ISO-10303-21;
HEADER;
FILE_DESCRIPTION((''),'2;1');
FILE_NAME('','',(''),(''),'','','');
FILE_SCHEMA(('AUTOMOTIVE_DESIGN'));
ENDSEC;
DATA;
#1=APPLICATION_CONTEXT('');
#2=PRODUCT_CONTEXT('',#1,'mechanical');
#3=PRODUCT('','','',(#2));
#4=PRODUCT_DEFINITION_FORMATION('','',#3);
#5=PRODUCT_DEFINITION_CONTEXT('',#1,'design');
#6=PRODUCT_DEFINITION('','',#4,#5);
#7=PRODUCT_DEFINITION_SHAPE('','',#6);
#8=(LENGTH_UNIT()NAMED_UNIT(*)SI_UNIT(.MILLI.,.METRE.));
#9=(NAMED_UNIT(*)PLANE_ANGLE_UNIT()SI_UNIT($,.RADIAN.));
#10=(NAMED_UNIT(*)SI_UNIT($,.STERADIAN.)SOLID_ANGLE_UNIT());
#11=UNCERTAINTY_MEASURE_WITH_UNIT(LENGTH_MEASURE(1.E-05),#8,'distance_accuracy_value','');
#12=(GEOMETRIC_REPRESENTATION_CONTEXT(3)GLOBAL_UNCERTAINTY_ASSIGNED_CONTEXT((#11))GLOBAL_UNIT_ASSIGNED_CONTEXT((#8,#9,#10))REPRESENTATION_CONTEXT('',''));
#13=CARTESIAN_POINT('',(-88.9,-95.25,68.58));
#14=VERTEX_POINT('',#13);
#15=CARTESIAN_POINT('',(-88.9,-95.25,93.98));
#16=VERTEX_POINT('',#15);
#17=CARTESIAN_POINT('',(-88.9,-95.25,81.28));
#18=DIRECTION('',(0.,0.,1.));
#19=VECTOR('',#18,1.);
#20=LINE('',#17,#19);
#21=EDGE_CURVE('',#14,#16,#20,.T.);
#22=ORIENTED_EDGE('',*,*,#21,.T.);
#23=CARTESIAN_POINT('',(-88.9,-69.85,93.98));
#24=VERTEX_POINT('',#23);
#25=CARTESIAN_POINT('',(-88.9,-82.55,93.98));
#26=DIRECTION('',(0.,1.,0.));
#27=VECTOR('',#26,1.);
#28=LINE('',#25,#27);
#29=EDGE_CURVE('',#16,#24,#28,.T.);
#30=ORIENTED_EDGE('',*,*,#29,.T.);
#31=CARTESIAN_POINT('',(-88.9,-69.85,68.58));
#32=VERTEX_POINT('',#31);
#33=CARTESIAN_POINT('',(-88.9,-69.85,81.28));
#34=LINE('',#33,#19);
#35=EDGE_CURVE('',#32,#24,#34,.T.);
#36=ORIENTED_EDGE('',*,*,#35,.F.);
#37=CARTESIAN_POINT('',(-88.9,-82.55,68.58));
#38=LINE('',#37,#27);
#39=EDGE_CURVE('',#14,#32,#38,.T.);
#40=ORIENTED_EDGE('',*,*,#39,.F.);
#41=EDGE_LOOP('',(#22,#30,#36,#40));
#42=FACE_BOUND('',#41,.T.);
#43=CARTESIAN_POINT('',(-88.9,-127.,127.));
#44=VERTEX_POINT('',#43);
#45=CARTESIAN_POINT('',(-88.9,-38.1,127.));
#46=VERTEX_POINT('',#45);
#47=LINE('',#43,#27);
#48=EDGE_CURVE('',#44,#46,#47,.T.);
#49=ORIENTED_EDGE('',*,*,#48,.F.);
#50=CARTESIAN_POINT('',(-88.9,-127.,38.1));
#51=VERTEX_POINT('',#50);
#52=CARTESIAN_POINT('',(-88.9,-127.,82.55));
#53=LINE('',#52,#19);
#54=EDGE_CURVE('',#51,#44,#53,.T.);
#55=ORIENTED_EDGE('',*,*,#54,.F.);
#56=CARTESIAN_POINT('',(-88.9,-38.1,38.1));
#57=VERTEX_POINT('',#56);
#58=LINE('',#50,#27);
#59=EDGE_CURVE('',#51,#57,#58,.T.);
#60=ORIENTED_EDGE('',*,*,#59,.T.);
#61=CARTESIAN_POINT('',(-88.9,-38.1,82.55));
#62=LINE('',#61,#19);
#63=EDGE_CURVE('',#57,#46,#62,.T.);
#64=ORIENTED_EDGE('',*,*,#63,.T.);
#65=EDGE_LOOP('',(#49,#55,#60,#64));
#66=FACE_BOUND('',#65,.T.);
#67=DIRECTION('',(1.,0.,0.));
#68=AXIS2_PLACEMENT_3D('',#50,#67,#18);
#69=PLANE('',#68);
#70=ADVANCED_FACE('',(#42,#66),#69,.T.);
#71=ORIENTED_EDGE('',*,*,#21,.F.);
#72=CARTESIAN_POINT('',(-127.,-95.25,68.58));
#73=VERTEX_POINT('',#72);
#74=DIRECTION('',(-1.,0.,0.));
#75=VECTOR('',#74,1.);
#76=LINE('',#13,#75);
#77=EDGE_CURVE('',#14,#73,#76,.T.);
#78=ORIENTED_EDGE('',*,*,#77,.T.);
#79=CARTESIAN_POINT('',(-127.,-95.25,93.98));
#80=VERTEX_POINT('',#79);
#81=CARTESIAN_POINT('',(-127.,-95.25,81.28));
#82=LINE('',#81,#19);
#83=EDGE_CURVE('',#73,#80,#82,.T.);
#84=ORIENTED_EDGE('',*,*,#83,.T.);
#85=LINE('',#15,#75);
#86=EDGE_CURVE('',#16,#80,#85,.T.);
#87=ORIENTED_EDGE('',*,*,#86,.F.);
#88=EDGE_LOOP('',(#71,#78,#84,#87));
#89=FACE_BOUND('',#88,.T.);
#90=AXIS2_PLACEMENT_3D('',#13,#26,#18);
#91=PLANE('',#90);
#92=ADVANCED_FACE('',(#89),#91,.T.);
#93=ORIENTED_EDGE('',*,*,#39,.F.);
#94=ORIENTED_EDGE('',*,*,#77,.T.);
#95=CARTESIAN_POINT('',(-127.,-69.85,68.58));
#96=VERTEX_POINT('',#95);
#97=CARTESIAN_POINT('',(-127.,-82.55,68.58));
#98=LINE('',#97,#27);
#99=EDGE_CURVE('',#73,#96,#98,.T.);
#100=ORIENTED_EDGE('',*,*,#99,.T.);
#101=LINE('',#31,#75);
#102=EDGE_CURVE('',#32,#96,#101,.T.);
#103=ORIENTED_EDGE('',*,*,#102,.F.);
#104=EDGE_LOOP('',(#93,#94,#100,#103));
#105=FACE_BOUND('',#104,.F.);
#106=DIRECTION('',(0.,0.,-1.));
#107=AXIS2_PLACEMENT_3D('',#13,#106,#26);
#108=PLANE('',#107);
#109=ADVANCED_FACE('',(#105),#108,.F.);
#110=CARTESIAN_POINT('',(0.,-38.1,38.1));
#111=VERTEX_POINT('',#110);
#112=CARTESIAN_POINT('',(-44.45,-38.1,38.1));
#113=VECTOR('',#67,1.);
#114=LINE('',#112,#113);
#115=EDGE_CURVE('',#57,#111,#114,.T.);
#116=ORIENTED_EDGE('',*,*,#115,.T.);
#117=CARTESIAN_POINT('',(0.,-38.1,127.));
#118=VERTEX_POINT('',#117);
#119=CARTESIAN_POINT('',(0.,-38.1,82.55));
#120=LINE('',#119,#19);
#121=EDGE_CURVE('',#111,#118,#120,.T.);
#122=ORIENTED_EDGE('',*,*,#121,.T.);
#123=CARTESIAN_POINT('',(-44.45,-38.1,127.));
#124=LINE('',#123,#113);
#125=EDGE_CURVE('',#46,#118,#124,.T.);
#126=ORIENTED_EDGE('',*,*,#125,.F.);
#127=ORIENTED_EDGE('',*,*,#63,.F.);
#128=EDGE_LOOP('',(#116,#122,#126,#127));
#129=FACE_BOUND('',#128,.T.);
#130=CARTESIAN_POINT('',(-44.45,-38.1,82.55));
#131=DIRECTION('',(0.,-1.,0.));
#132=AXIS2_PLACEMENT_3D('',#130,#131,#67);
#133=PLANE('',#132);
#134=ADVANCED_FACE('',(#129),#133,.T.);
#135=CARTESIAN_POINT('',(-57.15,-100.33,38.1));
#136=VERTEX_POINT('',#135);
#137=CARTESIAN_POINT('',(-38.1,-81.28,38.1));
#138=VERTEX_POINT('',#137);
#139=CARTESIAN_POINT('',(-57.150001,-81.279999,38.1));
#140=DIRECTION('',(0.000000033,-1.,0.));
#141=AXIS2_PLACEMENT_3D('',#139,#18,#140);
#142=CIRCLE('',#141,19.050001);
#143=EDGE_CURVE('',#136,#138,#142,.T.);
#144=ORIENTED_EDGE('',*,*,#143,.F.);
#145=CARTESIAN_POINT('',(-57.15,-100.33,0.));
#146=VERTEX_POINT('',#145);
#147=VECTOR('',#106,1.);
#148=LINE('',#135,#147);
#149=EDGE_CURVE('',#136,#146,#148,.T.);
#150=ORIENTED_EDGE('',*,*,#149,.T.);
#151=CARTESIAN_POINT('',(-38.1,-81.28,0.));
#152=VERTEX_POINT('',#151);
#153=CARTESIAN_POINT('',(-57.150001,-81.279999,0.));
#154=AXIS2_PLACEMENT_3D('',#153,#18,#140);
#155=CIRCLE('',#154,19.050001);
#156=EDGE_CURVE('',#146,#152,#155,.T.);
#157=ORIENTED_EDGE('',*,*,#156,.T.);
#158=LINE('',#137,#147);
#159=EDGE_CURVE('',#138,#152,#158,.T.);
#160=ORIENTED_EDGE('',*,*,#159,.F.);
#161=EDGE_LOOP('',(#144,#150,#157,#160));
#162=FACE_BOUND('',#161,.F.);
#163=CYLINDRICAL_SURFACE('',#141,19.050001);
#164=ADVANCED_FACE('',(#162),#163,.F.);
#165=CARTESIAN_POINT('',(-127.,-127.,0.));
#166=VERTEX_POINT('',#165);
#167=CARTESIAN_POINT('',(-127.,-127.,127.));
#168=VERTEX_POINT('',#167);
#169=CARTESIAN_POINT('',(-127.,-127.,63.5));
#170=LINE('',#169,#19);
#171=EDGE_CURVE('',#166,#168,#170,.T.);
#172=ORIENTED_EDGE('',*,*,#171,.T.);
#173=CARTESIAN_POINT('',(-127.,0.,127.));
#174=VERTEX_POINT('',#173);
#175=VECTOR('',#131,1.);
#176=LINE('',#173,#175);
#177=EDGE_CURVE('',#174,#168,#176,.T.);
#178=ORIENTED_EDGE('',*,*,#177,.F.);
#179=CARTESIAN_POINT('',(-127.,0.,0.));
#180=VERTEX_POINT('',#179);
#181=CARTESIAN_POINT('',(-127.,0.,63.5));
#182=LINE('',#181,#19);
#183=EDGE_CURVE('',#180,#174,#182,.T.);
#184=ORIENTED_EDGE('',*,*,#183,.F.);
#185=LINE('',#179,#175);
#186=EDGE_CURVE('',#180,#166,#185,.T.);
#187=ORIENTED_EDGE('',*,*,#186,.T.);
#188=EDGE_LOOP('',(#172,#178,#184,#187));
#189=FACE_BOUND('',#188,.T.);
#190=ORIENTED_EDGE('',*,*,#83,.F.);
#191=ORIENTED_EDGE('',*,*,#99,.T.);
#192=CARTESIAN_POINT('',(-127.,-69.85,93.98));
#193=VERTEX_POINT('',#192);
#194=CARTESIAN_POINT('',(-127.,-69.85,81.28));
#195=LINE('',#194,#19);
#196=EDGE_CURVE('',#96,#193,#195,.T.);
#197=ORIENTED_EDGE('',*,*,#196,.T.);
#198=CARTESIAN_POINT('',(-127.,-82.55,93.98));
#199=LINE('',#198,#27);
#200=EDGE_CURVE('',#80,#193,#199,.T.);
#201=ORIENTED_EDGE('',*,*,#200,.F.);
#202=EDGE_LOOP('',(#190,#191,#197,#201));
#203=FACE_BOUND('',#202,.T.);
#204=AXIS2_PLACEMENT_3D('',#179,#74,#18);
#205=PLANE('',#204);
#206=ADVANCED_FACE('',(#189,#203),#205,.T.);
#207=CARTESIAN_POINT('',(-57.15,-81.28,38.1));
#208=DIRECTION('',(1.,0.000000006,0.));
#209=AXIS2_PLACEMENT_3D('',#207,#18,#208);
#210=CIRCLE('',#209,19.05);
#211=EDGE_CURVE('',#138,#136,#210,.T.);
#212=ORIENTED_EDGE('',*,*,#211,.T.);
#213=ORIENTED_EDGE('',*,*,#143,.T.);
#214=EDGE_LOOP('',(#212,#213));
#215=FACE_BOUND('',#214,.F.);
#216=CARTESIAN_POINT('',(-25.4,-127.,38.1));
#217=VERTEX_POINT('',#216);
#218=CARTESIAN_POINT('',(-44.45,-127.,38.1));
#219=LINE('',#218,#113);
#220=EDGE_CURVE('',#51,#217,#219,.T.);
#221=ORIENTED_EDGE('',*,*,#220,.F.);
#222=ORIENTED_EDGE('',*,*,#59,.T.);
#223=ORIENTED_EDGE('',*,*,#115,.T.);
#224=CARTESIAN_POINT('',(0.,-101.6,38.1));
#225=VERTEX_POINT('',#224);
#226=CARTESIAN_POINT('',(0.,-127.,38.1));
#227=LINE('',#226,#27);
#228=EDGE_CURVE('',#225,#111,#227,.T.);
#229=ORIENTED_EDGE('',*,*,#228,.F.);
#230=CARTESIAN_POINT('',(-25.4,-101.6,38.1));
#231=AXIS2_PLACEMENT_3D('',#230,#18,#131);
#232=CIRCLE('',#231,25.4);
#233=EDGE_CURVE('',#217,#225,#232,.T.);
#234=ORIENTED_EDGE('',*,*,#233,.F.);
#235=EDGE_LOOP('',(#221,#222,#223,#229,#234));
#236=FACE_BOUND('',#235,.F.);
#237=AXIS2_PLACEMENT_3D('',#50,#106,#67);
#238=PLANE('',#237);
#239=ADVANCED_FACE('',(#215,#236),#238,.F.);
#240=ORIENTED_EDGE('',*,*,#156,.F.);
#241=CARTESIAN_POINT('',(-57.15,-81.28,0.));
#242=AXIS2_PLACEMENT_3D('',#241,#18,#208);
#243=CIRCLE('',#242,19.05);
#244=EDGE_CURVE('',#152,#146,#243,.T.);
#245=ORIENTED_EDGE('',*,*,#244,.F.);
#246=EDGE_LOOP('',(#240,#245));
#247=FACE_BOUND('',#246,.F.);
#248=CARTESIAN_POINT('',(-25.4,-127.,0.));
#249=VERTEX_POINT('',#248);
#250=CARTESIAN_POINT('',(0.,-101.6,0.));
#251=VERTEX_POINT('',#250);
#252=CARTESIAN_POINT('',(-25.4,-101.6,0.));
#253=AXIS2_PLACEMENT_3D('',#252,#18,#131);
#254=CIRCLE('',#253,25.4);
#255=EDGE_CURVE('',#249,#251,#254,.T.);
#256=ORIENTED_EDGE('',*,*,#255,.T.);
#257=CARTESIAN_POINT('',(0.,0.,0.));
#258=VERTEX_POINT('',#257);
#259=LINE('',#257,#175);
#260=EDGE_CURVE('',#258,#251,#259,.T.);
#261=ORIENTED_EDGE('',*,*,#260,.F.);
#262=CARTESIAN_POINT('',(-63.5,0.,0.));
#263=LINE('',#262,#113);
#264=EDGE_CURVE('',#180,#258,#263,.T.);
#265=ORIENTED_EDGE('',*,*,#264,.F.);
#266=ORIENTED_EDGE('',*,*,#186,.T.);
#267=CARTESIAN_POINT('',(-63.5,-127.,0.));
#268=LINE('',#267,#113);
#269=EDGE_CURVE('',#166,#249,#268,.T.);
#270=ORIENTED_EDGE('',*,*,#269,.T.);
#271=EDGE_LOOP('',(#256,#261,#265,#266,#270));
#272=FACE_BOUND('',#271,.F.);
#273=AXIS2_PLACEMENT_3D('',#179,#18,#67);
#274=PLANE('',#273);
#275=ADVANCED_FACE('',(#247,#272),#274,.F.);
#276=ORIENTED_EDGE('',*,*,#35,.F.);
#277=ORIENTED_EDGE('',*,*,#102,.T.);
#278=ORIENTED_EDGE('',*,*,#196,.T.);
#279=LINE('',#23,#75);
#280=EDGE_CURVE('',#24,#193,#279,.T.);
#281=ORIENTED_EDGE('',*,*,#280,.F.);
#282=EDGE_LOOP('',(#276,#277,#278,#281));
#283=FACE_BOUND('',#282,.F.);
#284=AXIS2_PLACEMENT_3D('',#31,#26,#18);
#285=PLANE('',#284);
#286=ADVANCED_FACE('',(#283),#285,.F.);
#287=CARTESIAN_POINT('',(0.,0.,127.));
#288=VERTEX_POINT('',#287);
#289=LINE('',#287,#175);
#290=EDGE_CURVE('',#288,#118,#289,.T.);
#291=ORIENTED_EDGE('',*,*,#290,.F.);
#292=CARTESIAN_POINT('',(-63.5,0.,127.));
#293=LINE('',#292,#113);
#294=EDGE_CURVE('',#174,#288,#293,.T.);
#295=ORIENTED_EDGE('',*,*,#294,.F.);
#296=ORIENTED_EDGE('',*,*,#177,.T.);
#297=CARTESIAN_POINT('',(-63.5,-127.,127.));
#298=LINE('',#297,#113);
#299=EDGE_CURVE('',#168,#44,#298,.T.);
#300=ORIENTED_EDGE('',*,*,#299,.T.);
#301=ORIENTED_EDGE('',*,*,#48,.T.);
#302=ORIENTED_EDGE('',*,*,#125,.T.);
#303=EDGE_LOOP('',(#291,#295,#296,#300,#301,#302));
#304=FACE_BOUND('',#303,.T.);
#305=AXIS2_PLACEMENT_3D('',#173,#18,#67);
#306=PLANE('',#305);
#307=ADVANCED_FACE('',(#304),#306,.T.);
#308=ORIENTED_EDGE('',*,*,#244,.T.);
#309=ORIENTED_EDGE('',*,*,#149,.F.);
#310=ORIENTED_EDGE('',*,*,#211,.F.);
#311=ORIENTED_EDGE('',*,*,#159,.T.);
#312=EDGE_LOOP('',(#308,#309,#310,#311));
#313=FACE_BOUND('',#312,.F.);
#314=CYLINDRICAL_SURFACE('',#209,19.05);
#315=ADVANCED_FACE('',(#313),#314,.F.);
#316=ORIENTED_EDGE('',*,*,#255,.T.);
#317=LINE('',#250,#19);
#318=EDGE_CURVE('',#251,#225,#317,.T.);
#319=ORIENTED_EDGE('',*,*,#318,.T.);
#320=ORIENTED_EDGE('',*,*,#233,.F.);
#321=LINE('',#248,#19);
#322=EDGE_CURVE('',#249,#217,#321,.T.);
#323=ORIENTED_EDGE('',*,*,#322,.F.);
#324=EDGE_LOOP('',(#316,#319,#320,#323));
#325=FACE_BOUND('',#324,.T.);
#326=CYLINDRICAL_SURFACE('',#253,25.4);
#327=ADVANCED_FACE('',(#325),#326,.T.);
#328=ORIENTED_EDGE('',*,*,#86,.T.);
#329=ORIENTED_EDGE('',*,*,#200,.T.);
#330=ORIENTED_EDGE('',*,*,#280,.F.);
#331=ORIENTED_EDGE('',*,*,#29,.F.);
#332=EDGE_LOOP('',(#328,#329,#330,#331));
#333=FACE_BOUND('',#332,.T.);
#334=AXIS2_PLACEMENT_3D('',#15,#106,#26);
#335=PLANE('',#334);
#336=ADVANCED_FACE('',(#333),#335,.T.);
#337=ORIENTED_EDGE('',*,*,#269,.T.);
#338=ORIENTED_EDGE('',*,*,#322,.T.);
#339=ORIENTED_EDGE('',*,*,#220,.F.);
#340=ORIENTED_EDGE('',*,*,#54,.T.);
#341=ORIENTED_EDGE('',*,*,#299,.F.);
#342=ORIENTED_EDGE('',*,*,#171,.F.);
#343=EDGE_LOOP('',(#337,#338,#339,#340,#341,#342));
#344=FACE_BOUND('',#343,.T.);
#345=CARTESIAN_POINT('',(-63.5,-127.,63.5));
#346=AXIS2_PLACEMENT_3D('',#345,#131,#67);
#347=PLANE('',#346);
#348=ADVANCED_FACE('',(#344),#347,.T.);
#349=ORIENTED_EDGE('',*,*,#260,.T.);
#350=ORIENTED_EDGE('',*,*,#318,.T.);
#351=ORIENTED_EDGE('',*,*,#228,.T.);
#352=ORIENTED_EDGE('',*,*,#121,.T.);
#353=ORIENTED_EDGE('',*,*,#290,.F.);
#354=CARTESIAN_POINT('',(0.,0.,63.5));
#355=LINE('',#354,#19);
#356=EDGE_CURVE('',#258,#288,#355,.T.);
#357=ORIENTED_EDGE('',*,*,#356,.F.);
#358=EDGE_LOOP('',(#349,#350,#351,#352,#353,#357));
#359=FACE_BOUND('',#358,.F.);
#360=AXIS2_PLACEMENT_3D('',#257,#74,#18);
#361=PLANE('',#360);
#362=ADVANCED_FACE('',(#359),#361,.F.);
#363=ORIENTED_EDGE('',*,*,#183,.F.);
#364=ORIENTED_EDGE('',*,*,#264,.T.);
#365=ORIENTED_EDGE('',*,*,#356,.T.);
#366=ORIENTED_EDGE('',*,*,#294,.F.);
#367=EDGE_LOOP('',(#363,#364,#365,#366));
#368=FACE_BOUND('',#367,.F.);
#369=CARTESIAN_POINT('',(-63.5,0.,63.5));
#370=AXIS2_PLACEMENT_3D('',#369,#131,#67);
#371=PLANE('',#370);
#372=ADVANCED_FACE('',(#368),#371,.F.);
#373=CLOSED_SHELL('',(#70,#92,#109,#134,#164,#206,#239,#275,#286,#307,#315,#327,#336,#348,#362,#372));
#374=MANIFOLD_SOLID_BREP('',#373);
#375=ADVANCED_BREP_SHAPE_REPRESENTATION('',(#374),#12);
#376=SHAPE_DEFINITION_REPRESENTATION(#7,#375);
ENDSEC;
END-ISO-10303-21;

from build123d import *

# Parameters (mm, degrees)
F0_W     = 127
F0_H     = 127
F1_DEPTH = 127
F2_W     = 88.9
F2_H     = 88.9
F3_DEPTH = 88.9
F4_R     = 25.4
F5_W     = 25.4
F5_H     = 25.4
F6_DEPTH = 38.1
F8_DEPTH = 38.1


with BuildPart() as f1:
    # F0 (on Front) → F1 (new body)
    with BuildSketch(Plane.XZ):
        with Locations((-63.5, 63.5)):
            Rectangle(F0_W, F0_H)
    extrude(amount=F1_DEPTH)

    # F2 (on face) → F3 (cut)
    with BuildSketch(Plane.XZ.offset(127)):
        with Locations((-44.45, 82.55)):
            Rectangle(F2_W, F2_H)
    extrude(amount=-F3_DEPTH, mode=Mode.SUBTRACT)

    # F4
    f4_edges = [f1.edges().sort_by_distance(p)[0] for p in [
        (0, -127, 19.05),
    ]]
    fillet(f4_edges, radius=F4_R)

    # F5 (on face) → F6 (cut)
    with BuildSketch(Plane.YZ.offset(-88.9)):
        with Locations((-82.55, 81.28)):
            Rectangle(F5_W, F5_H)
    extrude(amount=-F6_DEPTH, mode=Mode.SUBTRACT)

    # F7 (on face) → F8 (cut)
    with BuildSketch(Plane.XY.offset(38.1)):
        with BuildLine():
            ThreePointArc((-38.1, -81.28), (-70.620384, -67.809616), (-57.15, -100.33))
            ThreePointArc((-57.15, -100.33), (-43.679616, -94.750384), (-38.1, -81.28))
        make_face()
    extrude(amount=-F8_DEPTH, mode=Mode.SUBTRACT)


solid = f1.part
